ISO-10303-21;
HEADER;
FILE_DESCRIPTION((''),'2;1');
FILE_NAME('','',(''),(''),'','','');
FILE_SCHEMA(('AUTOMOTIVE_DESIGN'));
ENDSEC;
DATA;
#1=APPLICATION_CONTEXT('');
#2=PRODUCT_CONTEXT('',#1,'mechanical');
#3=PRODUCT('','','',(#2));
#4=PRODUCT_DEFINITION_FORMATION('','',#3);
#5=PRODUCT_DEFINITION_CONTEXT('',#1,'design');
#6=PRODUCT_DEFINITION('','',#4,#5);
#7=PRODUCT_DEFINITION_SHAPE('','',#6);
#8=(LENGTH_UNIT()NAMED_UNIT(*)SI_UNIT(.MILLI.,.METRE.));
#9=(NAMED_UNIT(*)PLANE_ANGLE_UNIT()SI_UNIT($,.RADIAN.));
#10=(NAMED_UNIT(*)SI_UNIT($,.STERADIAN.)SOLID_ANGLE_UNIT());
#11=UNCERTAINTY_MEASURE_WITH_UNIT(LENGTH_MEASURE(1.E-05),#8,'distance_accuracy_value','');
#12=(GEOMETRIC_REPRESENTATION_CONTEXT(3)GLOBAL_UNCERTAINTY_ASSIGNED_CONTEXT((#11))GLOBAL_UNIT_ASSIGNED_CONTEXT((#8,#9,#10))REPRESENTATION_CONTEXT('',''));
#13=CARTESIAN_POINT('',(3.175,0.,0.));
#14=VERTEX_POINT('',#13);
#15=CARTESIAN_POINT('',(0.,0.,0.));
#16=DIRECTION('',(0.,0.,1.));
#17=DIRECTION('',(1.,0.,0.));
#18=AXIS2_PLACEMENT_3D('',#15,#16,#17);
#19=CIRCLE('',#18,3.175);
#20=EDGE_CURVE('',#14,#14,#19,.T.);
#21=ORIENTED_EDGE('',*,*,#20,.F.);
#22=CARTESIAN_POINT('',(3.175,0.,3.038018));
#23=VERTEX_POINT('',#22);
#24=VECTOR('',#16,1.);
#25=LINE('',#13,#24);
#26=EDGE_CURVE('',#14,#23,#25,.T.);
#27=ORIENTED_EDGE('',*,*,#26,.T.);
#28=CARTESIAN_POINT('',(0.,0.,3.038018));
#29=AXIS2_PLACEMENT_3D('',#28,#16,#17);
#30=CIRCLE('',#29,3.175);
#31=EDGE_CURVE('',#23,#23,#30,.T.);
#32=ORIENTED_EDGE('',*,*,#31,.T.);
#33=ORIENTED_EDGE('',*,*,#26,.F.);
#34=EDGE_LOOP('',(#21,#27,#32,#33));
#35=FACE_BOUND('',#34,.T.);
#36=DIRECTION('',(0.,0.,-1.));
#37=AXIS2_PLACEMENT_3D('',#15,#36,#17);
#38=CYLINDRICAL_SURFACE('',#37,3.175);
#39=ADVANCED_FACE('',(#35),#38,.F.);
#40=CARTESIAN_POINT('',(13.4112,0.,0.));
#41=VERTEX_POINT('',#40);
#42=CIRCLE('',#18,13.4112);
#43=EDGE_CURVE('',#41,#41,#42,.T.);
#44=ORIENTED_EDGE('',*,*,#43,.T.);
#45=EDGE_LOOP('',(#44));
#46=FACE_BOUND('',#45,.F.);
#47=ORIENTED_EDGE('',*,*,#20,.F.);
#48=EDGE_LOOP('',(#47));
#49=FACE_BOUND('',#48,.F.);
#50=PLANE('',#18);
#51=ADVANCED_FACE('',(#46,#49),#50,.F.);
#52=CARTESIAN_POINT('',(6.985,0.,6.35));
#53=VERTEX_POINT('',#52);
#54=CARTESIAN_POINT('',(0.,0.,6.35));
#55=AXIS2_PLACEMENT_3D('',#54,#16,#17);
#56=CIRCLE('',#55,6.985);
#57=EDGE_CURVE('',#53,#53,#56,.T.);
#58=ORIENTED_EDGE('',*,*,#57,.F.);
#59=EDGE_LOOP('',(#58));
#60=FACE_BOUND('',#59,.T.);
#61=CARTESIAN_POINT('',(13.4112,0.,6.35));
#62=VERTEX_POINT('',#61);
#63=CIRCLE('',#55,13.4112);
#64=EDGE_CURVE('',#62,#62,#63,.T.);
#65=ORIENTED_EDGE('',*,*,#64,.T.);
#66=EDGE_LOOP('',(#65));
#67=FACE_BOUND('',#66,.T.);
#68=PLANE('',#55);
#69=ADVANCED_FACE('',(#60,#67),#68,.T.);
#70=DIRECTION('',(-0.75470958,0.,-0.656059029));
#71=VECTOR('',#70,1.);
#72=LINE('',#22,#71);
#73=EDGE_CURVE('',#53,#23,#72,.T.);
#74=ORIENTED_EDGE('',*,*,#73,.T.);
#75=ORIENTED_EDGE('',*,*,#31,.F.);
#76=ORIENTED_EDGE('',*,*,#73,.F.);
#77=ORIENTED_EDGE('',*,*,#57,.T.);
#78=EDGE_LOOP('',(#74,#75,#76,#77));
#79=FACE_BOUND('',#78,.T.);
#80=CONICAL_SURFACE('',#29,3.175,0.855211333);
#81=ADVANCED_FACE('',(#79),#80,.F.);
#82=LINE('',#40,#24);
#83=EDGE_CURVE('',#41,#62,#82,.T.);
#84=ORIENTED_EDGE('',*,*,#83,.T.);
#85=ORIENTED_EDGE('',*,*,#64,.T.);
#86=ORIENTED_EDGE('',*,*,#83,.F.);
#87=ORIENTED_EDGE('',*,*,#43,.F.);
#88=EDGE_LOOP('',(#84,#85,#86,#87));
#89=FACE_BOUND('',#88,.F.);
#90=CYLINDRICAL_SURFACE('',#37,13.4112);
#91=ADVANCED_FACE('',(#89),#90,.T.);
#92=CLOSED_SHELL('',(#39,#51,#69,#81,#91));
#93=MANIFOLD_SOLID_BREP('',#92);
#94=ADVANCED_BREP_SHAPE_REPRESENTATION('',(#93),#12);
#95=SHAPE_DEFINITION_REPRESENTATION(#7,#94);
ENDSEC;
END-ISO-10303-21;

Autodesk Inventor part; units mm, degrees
ref_plane "YZ Plane" through (0, 0, 0) normal (1, 0, 0) x (0, 1, 0)
ref_plane "XZ Plane" through (0, 0, 0) normal (0, 1, 0) x (-1, 0, 0)
ref_plane "XY Plane" through (0, 0, 0) normal (0, 0, 1) x (1, 0, 0)
sketch "Sketch1" plane through (0, 0, 0) normal (0, 0, 1) x (1, 0, 0)
  circle A0 centre (0, 0) radius 13.4112
  circle A1 centre (0, 0) radius 3.175
  dimension "d0" = 26.8224
  dimension "d1" = 6.35
extrude "Extrusion1" add sketch "Sketch1" along normal blind 6.35
chamfer "Chamfer1" distance 3.81 angle 41 1 edges at (-3.175, 0, 6.35) measured on face at (9.8692, -1.0698, 6.35)
properties part number "transfer_pin"
